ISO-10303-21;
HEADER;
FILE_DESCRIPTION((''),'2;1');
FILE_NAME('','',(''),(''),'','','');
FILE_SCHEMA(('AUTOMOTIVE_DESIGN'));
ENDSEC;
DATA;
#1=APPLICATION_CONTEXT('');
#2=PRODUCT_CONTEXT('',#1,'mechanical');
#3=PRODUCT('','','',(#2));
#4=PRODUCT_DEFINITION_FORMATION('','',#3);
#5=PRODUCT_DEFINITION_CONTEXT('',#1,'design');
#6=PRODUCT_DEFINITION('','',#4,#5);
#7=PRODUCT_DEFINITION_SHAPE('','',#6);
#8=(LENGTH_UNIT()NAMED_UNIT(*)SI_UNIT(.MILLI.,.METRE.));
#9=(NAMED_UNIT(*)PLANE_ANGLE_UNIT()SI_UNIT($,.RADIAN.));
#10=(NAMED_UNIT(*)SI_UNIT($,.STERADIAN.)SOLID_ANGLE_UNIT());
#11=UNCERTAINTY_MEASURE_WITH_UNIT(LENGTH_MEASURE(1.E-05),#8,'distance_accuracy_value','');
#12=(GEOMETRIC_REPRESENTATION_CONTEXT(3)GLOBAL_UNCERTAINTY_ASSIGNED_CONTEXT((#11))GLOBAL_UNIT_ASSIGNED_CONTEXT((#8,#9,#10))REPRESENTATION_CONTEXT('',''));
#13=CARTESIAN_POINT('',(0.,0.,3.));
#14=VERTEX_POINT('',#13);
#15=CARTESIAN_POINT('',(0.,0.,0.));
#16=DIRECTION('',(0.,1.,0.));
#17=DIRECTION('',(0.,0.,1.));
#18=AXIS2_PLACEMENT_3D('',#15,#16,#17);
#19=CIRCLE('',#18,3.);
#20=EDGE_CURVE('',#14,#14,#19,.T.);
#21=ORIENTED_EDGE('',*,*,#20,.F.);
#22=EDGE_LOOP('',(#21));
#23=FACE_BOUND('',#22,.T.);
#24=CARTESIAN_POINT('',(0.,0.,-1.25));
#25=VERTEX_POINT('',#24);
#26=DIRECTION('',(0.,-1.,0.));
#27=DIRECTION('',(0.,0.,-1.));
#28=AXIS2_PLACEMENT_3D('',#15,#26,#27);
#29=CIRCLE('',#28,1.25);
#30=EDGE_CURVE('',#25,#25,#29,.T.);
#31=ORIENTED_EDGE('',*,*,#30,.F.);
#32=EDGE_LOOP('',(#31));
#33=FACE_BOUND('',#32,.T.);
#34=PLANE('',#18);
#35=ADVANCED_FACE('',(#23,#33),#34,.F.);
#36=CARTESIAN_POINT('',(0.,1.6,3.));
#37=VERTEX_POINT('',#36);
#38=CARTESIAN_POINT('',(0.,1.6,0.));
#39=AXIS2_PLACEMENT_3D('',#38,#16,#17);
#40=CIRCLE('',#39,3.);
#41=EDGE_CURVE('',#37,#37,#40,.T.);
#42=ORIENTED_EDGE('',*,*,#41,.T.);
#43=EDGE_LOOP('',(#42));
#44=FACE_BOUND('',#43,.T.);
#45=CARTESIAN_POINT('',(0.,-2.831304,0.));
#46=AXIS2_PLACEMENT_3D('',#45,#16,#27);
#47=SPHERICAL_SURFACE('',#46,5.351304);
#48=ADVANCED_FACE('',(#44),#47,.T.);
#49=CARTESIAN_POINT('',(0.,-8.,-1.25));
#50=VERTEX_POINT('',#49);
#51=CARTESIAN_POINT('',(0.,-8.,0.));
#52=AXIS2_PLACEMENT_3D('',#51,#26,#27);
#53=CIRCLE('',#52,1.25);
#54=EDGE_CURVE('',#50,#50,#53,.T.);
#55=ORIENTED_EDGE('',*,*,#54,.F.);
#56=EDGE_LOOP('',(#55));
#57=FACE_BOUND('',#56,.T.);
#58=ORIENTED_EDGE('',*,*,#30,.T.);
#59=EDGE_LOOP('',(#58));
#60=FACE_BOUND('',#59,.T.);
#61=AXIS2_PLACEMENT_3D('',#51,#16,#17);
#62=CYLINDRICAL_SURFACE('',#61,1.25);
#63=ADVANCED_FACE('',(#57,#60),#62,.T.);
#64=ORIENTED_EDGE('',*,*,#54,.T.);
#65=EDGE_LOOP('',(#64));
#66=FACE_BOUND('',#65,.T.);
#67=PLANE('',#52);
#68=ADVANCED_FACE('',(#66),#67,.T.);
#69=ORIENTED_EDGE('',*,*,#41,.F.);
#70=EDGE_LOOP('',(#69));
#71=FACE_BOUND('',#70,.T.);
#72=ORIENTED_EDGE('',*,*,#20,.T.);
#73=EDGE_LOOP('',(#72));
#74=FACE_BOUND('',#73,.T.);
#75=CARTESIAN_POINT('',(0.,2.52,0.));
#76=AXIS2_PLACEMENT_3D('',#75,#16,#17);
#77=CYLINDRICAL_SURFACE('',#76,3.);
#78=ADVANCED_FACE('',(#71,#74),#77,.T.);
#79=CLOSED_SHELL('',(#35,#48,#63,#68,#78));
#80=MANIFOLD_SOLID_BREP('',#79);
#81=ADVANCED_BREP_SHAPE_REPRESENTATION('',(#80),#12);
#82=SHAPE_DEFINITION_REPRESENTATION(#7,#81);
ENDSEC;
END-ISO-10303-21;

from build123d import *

# Parameters (mm, degrees)
SKETCH3_R           = 1.25
BOSS_EXTRUDE1_DEPTH = 8


with BuildPart() as part:
    # Sketch2 → Revolve1 (revolve)
    with BuildSketch(Plane(origin=(0, 0, 0), x_dir=(0, 0, -1), z_dir=(1, 0, 0)), mode=Mode.PRIVATE) as revolve1_sk:
        with BuildLine():
            Line((0, 0), (3, 0))
            Line((3, 0), (3, 1.6))
            ThreePointArc((3, 1.6), (1.568948693, 2.284832693), (0, 2.52))
            Line((0, 2.52), (0, 0))
        make_face()
    revolve(revolve1_sk.sketch.rotate(Axis((0, 2.52, 0), (0, -1, 0)), 180), axis=Axis((0, 2.52, 0), (0, -1, 0)))

    # Sketch3 → Boss-Extrude1 (add)
    with BuildSketch(Plane.XZ):
        with Locations(Location((0, 0, 0), (0, 0, 270))):
            Circle(SKETCH3_R)
    extrude(amount=BOSS_EXTRUDE1_DEPTH)


solid = part.part
